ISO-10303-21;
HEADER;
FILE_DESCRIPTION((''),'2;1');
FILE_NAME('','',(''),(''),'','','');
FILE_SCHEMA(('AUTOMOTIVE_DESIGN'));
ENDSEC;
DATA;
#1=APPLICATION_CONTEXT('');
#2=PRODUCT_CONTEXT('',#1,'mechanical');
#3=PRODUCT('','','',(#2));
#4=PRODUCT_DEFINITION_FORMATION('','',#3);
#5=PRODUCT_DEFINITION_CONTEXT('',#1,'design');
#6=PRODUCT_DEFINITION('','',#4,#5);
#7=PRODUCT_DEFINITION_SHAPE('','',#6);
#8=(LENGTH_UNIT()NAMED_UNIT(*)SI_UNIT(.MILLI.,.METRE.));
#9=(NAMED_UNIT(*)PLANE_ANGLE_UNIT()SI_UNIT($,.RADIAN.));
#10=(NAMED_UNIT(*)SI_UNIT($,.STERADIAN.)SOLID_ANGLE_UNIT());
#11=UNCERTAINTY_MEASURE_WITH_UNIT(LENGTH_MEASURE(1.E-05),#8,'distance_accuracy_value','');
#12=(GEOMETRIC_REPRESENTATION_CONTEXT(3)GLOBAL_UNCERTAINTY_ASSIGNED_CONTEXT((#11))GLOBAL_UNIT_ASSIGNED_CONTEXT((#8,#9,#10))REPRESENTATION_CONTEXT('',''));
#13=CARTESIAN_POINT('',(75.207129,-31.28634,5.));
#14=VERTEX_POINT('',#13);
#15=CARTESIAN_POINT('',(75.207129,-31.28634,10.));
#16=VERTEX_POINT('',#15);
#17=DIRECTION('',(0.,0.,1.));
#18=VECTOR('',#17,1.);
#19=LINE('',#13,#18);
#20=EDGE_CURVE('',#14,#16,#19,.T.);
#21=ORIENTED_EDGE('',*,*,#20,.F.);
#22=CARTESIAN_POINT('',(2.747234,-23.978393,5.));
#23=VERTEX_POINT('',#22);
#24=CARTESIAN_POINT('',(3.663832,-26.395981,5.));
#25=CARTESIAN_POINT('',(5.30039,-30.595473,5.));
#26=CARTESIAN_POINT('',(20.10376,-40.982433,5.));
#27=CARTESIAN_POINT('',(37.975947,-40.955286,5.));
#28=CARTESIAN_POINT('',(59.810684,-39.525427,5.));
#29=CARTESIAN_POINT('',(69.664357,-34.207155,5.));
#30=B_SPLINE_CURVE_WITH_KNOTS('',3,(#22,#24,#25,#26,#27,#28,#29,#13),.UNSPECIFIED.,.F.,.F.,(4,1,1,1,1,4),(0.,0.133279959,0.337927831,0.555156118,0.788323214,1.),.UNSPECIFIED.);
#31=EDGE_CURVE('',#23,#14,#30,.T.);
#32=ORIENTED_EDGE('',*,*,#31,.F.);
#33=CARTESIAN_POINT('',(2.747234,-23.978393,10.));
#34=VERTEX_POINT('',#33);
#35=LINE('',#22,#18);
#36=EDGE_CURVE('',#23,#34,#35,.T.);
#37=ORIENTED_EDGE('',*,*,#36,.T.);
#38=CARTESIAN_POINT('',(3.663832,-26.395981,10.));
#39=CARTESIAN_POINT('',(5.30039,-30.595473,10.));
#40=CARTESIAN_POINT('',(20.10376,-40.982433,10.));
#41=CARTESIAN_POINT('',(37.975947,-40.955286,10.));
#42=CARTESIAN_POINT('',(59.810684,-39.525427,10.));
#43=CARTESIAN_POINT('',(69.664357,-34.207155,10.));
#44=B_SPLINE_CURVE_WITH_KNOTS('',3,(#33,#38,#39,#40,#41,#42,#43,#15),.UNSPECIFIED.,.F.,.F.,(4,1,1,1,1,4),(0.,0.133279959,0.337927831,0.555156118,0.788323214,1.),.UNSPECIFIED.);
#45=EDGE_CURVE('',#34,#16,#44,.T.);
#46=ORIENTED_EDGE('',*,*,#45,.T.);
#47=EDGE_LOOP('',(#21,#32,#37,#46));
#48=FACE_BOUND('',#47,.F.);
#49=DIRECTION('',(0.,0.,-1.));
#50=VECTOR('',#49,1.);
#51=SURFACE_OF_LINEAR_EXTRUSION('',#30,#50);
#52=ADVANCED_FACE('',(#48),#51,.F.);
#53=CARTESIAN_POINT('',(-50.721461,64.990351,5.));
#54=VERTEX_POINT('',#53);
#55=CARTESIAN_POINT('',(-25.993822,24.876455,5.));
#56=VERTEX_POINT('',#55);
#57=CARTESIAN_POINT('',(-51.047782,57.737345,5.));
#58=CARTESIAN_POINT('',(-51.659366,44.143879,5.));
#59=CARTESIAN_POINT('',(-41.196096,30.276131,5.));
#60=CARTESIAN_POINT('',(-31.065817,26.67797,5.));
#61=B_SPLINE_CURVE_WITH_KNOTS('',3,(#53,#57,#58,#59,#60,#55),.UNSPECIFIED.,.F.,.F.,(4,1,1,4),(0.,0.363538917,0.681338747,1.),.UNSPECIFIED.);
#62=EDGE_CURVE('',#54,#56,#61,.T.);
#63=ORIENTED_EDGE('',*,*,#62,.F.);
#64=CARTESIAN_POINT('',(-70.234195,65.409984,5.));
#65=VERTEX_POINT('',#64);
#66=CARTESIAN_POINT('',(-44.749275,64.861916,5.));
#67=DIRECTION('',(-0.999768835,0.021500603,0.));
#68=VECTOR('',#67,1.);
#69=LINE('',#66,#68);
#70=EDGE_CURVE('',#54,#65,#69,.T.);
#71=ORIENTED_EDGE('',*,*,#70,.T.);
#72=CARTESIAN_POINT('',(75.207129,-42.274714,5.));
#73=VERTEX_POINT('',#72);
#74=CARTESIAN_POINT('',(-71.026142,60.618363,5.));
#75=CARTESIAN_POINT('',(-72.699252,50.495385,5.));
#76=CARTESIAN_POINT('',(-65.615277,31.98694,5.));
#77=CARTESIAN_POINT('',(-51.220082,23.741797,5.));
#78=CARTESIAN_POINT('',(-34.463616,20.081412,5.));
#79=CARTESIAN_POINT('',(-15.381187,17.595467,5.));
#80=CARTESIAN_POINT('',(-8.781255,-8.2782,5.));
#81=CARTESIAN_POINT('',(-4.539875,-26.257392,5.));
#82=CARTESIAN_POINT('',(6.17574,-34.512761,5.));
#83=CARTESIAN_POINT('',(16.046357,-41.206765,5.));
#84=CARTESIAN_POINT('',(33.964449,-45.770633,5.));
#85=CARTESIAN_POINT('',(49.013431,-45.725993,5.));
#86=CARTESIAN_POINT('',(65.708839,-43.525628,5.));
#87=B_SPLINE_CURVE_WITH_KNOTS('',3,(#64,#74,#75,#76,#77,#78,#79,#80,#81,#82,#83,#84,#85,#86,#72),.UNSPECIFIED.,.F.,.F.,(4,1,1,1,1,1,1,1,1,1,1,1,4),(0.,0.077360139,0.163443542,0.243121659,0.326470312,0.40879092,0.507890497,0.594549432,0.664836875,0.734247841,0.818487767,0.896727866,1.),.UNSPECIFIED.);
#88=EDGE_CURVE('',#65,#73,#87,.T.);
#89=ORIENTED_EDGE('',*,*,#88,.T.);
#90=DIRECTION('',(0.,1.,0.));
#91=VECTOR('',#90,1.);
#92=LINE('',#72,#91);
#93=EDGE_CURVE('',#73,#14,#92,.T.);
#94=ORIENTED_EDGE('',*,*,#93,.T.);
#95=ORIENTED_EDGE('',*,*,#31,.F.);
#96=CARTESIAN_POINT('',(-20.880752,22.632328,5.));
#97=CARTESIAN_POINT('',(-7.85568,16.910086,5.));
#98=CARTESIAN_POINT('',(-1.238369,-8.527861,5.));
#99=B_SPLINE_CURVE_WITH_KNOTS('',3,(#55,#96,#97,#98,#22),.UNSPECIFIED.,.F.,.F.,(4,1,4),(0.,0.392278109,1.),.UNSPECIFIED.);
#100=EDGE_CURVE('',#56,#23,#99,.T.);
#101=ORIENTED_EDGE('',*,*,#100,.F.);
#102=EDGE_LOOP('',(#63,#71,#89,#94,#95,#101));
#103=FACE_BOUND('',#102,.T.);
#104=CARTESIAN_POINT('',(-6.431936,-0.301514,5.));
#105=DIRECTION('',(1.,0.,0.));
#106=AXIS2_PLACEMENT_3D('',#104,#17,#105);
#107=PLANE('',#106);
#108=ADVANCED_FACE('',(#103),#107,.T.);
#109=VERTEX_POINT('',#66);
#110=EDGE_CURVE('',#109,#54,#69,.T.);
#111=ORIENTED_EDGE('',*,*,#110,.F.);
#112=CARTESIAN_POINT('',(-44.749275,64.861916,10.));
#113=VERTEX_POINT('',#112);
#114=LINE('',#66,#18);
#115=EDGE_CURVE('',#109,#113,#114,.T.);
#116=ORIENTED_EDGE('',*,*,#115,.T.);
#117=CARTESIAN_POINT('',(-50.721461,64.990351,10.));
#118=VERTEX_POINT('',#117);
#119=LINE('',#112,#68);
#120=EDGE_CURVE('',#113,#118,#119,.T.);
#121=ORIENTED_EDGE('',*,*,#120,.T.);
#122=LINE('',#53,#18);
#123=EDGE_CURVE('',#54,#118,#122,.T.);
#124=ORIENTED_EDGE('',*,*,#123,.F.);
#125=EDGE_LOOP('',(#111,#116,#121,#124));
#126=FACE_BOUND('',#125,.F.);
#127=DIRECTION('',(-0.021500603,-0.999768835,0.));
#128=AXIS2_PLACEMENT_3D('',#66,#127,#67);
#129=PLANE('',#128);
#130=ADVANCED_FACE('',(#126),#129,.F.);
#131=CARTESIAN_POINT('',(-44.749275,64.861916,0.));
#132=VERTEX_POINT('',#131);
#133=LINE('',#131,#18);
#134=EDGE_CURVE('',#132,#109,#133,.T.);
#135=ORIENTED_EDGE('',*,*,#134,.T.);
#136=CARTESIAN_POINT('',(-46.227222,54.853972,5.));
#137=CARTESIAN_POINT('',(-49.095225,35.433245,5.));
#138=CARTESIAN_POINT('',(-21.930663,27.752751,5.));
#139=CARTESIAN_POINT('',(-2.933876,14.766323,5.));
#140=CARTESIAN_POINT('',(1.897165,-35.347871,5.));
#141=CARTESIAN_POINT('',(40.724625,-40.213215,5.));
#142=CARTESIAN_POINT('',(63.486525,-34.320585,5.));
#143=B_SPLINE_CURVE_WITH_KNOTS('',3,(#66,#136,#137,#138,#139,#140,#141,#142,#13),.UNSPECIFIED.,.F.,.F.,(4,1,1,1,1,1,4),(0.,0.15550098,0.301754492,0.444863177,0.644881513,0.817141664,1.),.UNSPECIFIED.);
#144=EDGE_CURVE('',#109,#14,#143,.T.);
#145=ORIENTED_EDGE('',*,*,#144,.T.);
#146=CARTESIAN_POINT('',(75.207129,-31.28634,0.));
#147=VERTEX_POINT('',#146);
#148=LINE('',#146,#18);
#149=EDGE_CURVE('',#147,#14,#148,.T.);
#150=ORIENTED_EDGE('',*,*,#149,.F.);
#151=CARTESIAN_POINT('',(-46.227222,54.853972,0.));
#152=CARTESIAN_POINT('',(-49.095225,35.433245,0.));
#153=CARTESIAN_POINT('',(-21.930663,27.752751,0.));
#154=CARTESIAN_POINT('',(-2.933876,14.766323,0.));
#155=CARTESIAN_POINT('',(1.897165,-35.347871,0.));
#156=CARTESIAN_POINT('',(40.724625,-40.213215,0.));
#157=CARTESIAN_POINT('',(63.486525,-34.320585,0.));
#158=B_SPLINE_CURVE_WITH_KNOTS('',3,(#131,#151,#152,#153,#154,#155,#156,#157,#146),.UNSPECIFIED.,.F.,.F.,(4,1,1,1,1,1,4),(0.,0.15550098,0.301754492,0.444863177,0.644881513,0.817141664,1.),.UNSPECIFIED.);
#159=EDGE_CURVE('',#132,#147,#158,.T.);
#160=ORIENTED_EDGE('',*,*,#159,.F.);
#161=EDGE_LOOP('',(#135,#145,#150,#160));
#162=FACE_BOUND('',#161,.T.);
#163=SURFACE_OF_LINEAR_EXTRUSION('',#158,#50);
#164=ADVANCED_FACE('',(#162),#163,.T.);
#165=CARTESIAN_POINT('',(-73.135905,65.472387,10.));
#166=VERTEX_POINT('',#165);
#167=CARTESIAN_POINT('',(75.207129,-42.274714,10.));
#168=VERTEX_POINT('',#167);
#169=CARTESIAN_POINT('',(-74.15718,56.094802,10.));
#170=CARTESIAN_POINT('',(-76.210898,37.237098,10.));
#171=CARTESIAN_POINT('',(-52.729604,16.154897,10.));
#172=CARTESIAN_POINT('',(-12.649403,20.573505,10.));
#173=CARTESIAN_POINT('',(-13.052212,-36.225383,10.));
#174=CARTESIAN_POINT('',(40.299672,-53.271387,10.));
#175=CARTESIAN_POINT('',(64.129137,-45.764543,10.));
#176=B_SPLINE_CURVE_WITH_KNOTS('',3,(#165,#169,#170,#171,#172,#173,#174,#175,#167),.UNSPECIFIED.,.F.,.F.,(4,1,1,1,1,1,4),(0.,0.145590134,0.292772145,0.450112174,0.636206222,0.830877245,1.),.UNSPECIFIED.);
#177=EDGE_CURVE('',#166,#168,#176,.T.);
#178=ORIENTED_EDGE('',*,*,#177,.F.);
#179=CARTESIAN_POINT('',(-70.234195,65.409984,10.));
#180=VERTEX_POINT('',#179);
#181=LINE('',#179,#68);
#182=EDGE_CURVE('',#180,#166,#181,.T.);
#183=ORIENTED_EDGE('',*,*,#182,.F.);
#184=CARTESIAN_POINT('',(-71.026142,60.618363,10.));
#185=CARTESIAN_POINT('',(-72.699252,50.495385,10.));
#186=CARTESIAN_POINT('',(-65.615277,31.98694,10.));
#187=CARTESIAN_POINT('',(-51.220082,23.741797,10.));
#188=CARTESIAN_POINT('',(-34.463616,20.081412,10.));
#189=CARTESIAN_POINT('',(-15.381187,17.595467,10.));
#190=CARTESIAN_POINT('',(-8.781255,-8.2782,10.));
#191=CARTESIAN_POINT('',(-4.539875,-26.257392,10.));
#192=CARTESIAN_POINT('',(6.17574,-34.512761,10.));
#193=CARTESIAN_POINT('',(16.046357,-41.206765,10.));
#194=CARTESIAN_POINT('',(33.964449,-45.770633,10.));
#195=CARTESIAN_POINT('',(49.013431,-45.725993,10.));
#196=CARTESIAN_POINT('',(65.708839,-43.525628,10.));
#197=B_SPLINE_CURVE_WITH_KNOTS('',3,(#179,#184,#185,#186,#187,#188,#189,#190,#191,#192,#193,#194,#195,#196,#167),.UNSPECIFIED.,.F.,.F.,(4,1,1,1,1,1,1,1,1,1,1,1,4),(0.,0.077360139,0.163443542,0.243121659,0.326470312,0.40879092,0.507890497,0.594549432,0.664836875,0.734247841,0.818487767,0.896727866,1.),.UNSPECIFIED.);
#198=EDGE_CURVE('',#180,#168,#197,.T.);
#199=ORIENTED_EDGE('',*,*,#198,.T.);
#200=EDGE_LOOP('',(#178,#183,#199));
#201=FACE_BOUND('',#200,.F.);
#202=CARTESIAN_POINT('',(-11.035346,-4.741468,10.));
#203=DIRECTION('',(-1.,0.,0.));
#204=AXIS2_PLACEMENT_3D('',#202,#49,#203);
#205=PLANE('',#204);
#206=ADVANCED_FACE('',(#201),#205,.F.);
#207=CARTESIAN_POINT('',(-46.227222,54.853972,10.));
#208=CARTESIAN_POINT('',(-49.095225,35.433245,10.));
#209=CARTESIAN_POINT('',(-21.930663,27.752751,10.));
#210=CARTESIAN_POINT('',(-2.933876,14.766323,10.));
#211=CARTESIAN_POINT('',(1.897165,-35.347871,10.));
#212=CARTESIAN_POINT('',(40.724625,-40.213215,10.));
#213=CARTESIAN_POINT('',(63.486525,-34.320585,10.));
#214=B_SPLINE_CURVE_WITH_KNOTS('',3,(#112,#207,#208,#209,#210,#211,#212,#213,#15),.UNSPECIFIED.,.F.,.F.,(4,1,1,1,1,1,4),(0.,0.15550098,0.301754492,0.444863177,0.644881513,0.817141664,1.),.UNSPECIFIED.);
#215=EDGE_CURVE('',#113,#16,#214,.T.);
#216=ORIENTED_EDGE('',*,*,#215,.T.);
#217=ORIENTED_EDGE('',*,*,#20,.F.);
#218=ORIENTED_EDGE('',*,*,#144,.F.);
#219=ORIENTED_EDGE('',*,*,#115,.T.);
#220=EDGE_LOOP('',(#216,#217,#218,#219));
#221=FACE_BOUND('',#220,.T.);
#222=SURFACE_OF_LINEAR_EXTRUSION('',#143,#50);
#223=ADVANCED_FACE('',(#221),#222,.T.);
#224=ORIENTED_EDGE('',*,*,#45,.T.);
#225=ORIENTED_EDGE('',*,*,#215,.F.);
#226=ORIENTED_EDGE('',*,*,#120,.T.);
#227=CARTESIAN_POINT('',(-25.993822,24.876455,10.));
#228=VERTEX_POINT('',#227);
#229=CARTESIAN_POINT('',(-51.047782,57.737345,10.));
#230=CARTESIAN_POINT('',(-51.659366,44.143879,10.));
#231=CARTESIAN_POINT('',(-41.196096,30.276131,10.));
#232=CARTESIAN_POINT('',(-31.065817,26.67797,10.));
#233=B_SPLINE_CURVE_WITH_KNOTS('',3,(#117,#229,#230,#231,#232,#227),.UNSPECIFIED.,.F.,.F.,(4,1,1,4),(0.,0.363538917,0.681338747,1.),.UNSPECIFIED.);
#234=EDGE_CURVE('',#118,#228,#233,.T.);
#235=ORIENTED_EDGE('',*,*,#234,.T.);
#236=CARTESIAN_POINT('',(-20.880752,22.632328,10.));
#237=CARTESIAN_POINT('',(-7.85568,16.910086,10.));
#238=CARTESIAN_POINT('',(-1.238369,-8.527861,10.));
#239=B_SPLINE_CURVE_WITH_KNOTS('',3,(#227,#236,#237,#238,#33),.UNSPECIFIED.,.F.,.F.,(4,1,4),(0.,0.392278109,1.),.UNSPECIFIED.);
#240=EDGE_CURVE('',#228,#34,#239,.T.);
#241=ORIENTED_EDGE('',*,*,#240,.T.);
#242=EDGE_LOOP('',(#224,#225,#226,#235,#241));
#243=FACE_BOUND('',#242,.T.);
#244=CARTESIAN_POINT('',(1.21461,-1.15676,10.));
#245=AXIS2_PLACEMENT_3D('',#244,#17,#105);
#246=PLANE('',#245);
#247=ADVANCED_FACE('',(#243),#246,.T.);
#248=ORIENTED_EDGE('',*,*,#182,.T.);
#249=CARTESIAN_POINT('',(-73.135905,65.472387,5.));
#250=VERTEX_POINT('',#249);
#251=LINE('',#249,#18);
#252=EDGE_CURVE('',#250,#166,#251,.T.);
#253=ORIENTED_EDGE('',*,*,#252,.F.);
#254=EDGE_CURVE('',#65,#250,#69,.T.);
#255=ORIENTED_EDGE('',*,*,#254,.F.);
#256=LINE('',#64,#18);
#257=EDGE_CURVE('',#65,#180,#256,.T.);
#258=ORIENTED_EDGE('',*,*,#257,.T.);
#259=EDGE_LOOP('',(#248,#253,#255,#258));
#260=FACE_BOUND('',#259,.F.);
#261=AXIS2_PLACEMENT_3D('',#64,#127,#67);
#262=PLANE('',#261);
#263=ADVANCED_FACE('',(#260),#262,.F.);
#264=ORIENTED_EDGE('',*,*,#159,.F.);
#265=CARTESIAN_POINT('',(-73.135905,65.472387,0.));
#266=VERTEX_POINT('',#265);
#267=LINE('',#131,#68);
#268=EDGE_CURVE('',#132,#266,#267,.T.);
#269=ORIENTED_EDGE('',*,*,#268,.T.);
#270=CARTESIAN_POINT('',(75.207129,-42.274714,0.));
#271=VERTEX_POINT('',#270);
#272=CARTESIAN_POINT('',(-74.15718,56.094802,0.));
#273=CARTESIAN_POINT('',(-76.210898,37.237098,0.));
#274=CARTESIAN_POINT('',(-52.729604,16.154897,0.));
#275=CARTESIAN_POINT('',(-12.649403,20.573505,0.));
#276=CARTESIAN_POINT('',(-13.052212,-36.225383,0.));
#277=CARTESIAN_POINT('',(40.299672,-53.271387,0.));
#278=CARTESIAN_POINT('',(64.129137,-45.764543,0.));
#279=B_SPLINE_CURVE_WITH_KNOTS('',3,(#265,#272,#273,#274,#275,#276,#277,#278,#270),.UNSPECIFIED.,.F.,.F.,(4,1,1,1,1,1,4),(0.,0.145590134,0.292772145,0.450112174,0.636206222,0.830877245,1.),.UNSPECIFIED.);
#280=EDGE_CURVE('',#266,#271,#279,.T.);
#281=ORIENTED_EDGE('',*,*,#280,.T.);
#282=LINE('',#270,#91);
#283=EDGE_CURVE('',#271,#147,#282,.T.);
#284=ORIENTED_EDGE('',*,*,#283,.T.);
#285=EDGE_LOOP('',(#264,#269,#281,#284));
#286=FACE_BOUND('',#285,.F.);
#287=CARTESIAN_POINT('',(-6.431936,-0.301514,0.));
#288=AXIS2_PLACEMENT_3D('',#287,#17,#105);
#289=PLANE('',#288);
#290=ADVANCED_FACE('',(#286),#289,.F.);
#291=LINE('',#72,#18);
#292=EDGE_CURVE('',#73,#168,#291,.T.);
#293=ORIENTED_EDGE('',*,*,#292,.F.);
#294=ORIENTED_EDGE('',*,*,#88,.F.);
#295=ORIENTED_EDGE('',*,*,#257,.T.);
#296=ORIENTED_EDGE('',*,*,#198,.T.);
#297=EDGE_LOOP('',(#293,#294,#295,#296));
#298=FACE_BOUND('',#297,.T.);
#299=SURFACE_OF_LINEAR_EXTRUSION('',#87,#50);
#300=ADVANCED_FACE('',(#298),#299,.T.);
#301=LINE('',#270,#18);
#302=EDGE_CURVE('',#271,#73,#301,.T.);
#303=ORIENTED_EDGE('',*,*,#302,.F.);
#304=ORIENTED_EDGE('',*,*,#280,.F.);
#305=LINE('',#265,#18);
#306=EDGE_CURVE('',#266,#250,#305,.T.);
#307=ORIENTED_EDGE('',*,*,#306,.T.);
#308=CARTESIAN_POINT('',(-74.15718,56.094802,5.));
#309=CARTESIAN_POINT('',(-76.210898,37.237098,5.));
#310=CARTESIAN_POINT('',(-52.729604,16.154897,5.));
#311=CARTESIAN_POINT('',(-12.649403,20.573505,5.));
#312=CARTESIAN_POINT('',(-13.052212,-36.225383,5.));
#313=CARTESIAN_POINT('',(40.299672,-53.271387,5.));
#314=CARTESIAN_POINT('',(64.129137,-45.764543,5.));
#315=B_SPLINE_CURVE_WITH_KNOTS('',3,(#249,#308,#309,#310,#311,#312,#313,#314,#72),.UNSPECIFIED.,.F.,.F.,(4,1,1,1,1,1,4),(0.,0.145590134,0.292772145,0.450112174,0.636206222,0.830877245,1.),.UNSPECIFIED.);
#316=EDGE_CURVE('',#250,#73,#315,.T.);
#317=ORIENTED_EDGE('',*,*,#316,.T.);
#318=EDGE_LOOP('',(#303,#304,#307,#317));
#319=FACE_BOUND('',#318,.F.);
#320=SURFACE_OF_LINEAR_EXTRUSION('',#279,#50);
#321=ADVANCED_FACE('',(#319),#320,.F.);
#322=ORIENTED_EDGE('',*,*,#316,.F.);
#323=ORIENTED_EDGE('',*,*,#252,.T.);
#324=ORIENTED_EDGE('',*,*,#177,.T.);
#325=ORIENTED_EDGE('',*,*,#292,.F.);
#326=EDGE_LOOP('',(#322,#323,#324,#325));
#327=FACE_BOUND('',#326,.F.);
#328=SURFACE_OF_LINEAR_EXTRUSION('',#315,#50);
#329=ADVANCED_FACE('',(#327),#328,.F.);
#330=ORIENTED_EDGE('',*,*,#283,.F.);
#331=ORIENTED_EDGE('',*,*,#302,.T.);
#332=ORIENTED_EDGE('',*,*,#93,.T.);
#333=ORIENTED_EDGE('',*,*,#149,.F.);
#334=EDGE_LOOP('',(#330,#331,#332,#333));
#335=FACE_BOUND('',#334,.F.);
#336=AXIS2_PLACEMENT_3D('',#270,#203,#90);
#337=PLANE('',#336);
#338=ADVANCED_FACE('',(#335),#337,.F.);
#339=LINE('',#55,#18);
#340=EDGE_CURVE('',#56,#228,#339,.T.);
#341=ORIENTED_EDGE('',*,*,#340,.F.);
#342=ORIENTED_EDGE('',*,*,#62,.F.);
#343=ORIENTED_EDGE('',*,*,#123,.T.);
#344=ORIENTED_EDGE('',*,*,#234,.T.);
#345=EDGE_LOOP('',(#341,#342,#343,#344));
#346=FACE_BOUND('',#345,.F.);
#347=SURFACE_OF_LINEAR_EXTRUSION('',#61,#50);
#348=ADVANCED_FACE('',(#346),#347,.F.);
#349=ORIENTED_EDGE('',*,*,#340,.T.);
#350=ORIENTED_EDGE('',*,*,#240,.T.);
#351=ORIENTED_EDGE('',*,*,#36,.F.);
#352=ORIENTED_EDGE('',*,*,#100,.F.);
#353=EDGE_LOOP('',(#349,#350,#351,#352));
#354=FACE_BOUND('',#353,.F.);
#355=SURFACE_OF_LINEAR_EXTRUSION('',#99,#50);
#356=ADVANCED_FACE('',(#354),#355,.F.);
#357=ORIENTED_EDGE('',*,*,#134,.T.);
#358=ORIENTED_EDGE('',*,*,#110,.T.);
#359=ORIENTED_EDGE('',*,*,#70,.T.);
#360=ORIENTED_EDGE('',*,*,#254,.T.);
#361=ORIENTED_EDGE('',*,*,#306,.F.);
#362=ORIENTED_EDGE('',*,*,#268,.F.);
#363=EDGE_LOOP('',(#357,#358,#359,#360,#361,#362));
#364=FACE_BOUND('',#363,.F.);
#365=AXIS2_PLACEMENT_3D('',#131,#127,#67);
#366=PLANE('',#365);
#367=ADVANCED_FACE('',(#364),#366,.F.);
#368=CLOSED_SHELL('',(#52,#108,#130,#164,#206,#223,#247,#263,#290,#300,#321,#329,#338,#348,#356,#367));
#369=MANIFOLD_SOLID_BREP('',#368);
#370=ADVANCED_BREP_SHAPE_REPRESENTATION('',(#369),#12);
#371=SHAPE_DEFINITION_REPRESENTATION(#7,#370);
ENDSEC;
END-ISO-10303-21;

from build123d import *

# Parameters (mm, degrees)
F1_DEPTH = 5
F3_DEPTH = 5


with BuildPart() as f1:
    # F0 (on Top) → F1 (new body)
    with BuildSketch(Plane.XY):
        with BuildLine():
            Line((-44.7492748499, 64.8619160056), (-73.1359049678, 65.4723867774))
            add(Edge.make_bspline(
                [(-73.1359049678, 65.4723867774), (-74.1571804983, 56.0948020534), (-76.2108981462, 37.2370984583), (-52.7296035622, 16.1548968049), (-12.6494029149, 20.5735054654), (-13.0522116279, -36.2253831861), (40.2996718659, -53.271387436), (64.12913665, -45.7645429242), (75.2071291208, -42.2747135162)],
                knots=[0, 0, 0, 0, 0.1455901342, 0.2927721454, 0.4501121737, 0.6362062218, 0.8308772449, 1, 1, 1, 1], degree=3))
            Line((75.2071291208, -42.2747135162), (75.2071291208, -31.2863402069))
            add(Edge.make_bspline(
                [(-44.7492748499, 64.8619160056), (-46.2272223552, 54.8539720806), (-49.0952254977, 35.4332453478), (-21.9306627416, 27.7527505168), (-2.9338763718, 14.7663234015), (1.8971648844, -35.347871342), (40.7246250476, -40.2132147499), (63.4865251061, -34.3205850919), (75.2071291208, -31.2863402069)],
                knots=[0, 0, 0, 0, 0.15550098, 0.3017544924, 0.4448631765, 0.6448815128, 0.8171416641, 1, 1, 1, 1], degree=3))
        make_face()
    extrude(amount=F1_DEPTH)

    # F2 (on face) → F3 (join)
    with BuildSketch(Plane.XY.offset(5)):
        with BuildLine():
            add(Edge.make_bspline(
                [(-70.2341945629, 65.4099838299), (-71.026142482, 60.6183632709), (-72.6992523203, 50.4953846926), (-65.6152771591, 31.9869396653), (-51.2200823323, 23.7417972506), (-34.4636157491, 20.0814120568), (-15.3811869313, 17.5954670238), (-8.7812550603, -8.2781998901), (-4.5398747845, -26.2573923643), (6.1757404962, -34.5127612104), (16.0463574633, -41.2067649014), (33.9644486607, -45.7706333212), (49.0134311385, -45.7259931176), (65.7088385861, -43.5256276784), (75.2071291208, -42.2747135162)],
                knots=[0, 0, 0, 0, 0.0773601393, 0.1634435424, 0.2431216592, 0.3264703123, 0.4087909202, 0.5078904972, 0.5945494319, 0.6648368752, 0.734247841, 0.8184877668, 0.8967278663, 1, 1, 1, 1], degree=3))
            Line((-70.2341945629, 65.4099838299), (-73.1359049678, 65.4723867774))
            add(Edge.make_bspline(
                [(-73.1359049678, 65.4723867774), (-74.1571804983, 56.0948020534), (-76.2108981462, 37.2370984583), (-52.7296035622, 16.1548968049), (-12.6494029149, 20.5735054654), (-13.0522116279, -36.2253831861), (40.2996718659, -53.271387436), (64.12913665, -45.7645429242), (75.2071291208, -42.2747135162)],
                knots=[0, 0, 0, 0, 0.1455901342, 0.2927721454, 0.4501121737, 0.6362062218, 0.8308772449, 1, 1, 1, 1], degree=3))
        make_face()
        with BuildLine():
            Line((-44.7492748499, 64.8619160056), (-50.7214614819, 64.9903513066))
            add(Edge.make_bspline(
                [(-50.7214614819, 64.9903513066), (-51.0477816237, 57.7373453951), (-51.6593655449, 44.1438792622), (-41.1960964226, 30.2761312532), (-31.0658172045, 26.6779703008), (-25.9938221425, 24.8764548451)],
                knots=[0, 0, 0, 0, 0.3635389173, 0.681338747, 1, 1, 1, 1], degree=3))
            add(Edge.make_bspline(
                [(-25.9938221425, 24.8764548451), (-20.8807517357, 22.6323276979), (-7.8556796711, 16.9100857725), (-1.2383688709, -8.527861232), (2.7472344084, -23.9783929953)],
                knots=[0, 0, 0, 0, 0.3922781085, 1, 1, 1, 1], degree=3))
            add(Edge.make_bspline(
                [(2.7472344084, -23.9783929953), (3.6638319801, -26.3959807961), (5.3003899819, -30.5954732364), (20.1037596852, -40.9824333659), (37.9759468543, -40.9552864577), (59.8106840372, -39.5254268496), (69.6643569344, -34.207155381), (75.2071291208, -31.2863402069)],
                knots=[0, 0, 0, 0, 0.1332799595, 0.3379278307, 0.5551561176, 0.7883232142, 1, 1, 1, 1], degree=3))
            add(Edge.make_bspline(
                [(-44.7492748499, 64.8619160056), (-46.2272223552, 54.8539720806), (-49.0952254977, 35.4332453478), (-21.9306627416, 27.7527505168), (-2.9338763718, 14.7663234015), (1.8971648844, -35.347871342), (40.7246250476, -40.2132147499), (63.4865251061, -34.3205850919), (75.2071291208, -31.2863402069)],
                knots=[0, 0, 0, 0, 0.15550098, 0.3017544924, 0.4448631765, 0.6448815128, 0.8171416641, 1, 1, 1, 1], degree=3))
        make_face()
    extrude(amount=F3_DEPTH)


solid = f1.part
